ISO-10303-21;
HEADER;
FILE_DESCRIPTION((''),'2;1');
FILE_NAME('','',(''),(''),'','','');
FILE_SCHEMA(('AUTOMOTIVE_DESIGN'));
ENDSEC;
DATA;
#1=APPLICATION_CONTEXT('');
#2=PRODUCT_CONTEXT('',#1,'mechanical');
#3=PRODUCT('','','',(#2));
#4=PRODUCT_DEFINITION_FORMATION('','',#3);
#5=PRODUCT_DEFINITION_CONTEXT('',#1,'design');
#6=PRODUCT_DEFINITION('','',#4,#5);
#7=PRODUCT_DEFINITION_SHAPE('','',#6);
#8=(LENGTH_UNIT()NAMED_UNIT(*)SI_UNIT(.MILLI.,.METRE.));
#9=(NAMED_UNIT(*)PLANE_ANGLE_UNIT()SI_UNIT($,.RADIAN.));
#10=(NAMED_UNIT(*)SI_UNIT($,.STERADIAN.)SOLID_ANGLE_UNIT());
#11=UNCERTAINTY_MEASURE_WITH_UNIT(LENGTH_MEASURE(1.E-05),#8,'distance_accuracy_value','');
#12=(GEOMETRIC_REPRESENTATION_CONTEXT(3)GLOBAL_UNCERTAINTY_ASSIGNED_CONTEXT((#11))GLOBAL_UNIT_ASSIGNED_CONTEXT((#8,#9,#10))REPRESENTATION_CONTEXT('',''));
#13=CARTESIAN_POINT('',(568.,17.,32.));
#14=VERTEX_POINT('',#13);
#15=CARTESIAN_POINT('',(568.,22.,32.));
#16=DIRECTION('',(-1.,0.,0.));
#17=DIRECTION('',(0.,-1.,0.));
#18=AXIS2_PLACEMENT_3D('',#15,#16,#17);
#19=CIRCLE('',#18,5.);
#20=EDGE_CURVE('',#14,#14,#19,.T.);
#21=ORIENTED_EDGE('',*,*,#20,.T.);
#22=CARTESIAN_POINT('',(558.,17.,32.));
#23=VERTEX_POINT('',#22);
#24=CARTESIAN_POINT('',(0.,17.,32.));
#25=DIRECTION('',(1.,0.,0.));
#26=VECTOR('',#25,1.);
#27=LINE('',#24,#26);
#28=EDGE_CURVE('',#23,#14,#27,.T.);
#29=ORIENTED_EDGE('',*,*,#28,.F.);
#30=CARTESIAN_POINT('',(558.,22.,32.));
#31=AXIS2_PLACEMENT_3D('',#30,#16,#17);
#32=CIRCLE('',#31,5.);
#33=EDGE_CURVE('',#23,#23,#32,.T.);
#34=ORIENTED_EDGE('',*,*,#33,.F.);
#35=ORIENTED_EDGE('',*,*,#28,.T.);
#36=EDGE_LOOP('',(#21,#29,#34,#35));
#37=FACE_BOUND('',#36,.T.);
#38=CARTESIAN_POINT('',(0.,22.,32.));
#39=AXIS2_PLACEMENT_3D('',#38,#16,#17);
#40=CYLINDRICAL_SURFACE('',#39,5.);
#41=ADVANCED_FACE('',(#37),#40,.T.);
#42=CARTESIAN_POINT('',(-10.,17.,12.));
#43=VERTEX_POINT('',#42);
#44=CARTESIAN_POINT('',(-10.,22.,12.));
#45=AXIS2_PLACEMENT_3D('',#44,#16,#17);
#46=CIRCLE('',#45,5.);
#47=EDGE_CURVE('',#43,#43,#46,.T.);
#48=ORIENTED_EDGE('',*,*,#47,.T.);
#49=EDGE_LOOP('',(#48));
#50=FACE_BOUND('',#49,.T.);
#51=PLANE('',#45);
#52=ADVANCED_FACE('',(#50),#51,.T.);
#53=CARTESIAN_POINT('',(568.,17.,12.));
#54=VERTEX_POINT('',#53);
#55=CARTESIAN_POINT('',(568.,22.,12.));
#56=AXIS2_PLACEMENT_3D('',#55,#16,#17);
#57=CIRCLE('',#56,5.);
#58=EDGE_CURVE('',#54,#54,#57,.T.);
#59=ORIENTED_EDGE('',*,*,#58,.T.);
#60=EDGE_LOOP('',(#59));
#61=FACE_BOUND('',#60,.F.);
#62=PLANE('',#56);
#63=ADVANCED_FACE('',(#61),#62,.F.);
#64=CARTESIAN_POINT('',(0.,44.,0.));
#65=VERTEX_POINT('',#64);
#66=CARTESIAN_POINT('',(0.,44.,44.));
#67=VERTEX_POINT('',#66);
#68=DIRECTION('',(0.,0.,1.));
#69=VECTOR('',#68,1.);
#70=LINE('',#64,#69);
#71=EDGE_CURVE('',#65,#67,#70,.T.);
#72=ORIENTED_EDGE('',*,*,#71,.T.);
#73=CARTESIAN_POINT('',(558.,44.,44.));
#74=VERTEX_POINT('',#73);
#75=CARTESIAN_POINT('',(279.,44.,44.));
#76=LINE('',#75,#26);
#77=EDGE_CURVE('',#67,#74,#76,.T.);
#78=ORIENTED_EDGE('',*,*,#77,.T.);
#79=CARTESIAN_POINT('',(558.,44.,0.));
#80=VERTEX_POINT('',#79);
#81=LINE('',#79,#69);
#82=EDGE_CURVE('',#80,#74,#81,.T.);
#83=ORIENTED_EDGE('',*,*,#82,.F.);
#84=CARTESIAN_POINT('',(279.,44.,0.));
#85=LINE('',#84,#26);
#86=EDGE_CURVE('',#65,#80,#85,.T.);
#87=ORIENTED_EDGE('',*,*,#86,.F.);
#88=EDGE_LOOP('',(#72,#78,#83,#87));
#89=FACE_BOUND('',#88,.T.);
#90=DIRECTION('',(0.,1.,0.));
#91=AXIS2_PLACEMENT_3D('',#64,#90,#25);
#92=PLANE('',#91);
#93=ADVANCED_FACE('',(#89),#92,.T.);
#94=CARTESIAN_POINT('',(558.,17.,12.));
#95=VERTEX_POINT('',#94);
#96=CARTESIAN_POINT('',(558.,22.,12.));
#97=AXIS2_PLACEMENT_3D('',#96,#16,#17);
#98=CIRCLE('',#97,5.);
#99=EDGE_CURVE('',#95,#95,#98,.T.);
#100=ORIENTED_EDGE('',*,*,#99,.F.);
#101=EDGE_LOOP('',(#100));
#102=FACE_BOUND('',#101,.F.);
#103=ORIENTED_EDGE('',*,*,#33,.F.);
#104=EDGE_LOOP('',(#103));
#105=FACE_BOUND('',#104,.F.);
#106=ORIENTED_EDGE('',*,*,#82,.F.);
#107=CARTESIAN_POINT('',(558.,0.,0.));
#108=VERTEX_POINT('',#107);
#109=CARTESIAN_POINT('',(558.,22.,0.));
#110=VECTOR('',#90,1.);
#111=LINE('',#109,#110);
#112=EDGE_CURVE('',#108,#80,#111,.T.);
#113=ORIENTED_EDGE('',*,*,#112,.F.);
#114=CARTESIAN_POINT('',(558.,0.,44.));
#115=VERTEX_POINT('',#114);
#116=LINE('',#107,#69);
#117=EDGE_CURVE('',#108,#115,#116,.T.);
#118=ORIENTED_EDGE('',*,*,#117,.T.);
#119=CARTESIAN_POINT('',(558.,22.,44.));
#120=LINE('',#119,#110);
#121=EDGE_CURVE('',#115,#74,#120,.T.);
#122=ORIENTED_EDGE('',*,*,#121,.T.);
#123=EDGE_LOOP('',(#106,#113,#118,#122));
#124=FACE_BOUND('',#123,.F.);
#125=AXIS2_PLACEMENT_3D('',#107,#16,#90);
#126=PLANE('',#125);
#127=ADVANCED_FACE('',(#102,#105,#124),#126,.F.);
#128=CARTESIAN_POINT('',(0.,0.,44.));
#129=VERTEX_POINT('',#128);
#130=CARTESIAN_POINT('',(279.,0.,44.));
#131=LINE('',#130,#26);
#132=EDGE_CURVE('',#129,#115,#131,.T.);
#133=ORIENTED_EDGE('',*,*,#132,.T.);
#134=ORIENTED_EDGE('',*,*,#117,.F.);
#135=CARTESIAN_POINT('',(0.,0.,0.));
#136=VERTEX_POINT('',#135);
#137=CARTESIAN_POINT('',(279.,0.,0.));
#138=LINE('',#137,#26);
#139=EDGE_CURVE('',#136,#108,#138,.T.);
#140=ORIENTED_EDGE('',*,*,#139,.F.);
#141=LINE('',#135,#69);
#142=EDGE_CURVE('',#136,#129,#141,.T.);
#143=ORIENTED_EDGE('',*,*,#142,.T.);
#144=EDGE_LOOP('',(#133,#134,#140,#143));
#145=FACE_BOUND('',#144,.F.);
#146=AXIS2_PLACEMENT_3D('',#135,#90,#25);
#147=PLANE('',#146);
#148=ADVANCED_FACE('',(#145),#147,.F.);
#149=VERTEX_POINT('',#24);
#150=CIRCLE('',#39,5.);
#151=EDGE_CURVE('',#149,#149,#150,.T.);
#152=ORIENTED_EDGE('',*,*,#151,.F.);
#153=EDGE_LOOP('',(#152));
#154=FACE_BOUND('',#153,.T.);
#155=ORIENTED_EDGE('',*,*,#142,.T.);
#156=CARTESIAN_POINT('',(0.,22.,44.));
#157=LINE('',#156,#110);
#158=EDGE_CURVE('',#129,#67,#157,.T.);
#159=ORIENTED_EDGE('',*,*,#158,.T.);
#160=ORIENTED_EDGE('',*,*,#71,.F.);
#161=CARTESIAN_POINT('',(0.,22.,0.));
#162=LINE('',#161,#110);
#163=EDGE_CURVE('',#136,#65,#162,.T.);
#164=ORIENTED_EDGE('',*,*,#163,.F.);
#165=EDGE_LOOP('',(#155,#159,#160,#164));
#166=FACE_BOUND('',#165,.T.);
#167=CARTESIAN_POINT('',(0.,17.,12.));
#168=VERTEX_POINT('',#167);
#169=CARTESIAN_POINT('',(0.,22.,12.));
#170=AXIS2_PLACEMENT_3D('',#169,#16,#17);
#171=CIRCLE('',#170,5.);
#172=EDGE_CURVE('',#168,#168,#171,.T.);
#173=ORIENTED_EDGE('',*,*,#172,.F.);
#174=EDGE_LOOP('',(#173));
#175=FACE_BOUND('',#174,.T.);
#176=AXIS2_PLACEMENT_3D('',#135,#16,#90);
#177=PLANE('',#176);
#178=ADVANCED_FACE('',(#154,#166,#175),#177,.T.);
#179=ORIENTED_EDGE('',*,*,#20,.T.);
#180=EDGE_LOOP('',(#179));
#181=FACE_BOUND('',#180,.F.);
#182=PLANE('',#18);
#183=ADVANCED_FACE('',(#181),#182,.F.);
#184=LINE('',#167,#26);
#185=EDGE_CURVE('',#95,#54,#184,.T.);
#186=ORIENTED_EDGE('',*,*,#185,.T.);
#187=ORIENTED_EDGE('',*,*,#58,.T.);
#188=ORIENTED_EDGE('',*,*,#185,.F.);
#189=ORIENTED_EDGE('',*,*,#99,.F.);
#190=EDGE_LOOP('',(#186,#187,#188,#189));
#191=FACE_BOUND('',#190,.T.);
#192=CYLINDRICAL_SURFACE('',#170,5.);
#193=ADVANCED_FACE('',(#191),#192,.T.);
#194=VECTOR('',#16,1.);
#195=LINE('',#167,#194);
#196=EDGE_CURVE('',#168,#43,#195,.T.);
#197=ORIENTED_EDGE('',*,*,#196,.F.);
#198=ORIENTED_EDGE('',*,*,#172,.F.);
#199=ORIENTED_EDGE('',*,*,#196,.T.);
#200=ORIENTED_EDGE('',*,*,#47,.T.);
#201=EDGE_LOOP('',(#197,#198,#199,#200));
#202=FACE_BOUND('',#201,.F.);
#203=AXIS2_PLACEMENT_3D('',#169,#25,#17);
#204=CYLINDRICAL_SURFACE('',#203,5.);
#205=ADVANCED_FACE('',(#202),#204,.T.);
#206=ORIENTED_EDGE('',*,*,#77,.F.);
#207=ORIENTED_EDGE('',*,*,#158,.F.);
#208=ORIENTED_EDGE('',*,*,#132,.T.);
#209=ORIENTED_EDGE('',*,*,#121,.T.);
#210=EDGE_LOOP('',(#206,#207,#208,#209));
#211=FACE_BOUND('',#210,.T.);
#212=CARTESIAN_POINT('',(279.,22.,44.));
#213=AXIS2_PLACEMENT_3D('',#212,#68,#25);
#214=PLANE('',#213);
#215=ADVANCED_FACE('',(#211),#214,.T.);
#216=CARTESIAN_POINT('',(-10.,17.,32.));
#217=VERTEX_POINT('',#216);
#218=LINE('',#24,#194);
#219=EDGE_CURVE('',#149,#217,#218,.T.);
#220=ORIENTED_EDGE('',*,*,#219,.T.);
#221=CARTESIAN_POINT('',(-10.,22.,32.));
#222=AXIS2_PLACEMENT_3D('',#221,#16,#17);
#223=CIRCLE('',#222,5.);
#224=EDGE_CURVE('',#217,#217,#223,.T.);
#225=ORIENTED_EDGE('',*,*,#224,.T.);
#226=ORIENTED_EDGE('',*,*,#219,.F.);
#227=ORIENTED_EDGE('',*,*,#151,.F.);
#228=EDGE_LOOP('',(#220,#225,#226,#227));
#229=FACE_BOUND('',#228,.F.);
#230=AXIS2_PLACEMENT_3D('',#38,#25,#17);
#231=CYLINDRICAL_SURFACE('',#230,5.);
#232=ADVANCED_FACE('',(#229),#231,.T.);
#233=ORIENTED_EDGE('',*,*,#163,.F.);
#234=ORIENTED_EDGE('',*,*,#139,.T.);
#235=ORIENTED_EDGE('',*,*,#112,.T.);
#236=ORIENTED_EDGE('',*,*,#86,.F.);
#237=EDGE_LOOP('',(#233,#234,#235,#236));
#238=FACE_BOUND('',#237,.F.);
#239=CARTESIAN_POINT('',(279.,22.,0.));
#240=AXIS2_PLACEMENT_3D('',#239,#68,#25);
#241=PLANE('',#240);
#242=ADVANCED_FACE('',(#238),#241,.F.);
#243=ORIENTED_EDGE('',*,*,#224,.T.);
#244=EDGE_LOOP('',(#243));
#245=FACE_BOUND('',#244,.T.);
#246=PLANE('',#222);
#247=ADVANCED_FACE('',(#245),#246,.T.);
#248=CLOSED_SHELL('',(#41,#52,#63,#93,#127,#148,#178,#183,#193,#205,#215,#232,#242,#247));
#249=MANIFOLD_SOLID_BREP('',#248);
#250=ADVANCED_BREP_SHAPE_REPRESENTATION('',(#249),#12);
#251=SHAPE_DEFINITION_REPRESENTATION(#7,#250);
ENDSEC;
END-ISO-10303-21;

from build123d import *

# Parameters (mm, degrees)
F0_W          = 558
F0_H          = 44
F1_DEPTH      = 44
F2_R          = 5
F3_DEPTH      = 10
F3_DEPTH_BACK = 568


with BuildPart() as f1:
    # F0 (on Top) → F1 (new body)
    with BuildSketch(Plane.XY):
        with Locations((279, 22)):
            Rectangle(F0_W, F0_H)
    extrude(amount=F1_DEPTH)

    # F2 (on face) → F3 (join, two sides)
    with BuildSketch(Plane(origin=(0, 0, 0), x_dir=(0, -1, 0), z_dir=(-1, 0, 0))) as f3_sk:
        with Locations((-22, 32)):
            Circle(F2_R)
        with Locations((-22, 12)):
            Circle(F2_R)
    extrude(amount=F3_DEPTH)
    extrude(f3_sk.sketch, amount=-F3_DEPTH_BACK)


solid = f1.part
